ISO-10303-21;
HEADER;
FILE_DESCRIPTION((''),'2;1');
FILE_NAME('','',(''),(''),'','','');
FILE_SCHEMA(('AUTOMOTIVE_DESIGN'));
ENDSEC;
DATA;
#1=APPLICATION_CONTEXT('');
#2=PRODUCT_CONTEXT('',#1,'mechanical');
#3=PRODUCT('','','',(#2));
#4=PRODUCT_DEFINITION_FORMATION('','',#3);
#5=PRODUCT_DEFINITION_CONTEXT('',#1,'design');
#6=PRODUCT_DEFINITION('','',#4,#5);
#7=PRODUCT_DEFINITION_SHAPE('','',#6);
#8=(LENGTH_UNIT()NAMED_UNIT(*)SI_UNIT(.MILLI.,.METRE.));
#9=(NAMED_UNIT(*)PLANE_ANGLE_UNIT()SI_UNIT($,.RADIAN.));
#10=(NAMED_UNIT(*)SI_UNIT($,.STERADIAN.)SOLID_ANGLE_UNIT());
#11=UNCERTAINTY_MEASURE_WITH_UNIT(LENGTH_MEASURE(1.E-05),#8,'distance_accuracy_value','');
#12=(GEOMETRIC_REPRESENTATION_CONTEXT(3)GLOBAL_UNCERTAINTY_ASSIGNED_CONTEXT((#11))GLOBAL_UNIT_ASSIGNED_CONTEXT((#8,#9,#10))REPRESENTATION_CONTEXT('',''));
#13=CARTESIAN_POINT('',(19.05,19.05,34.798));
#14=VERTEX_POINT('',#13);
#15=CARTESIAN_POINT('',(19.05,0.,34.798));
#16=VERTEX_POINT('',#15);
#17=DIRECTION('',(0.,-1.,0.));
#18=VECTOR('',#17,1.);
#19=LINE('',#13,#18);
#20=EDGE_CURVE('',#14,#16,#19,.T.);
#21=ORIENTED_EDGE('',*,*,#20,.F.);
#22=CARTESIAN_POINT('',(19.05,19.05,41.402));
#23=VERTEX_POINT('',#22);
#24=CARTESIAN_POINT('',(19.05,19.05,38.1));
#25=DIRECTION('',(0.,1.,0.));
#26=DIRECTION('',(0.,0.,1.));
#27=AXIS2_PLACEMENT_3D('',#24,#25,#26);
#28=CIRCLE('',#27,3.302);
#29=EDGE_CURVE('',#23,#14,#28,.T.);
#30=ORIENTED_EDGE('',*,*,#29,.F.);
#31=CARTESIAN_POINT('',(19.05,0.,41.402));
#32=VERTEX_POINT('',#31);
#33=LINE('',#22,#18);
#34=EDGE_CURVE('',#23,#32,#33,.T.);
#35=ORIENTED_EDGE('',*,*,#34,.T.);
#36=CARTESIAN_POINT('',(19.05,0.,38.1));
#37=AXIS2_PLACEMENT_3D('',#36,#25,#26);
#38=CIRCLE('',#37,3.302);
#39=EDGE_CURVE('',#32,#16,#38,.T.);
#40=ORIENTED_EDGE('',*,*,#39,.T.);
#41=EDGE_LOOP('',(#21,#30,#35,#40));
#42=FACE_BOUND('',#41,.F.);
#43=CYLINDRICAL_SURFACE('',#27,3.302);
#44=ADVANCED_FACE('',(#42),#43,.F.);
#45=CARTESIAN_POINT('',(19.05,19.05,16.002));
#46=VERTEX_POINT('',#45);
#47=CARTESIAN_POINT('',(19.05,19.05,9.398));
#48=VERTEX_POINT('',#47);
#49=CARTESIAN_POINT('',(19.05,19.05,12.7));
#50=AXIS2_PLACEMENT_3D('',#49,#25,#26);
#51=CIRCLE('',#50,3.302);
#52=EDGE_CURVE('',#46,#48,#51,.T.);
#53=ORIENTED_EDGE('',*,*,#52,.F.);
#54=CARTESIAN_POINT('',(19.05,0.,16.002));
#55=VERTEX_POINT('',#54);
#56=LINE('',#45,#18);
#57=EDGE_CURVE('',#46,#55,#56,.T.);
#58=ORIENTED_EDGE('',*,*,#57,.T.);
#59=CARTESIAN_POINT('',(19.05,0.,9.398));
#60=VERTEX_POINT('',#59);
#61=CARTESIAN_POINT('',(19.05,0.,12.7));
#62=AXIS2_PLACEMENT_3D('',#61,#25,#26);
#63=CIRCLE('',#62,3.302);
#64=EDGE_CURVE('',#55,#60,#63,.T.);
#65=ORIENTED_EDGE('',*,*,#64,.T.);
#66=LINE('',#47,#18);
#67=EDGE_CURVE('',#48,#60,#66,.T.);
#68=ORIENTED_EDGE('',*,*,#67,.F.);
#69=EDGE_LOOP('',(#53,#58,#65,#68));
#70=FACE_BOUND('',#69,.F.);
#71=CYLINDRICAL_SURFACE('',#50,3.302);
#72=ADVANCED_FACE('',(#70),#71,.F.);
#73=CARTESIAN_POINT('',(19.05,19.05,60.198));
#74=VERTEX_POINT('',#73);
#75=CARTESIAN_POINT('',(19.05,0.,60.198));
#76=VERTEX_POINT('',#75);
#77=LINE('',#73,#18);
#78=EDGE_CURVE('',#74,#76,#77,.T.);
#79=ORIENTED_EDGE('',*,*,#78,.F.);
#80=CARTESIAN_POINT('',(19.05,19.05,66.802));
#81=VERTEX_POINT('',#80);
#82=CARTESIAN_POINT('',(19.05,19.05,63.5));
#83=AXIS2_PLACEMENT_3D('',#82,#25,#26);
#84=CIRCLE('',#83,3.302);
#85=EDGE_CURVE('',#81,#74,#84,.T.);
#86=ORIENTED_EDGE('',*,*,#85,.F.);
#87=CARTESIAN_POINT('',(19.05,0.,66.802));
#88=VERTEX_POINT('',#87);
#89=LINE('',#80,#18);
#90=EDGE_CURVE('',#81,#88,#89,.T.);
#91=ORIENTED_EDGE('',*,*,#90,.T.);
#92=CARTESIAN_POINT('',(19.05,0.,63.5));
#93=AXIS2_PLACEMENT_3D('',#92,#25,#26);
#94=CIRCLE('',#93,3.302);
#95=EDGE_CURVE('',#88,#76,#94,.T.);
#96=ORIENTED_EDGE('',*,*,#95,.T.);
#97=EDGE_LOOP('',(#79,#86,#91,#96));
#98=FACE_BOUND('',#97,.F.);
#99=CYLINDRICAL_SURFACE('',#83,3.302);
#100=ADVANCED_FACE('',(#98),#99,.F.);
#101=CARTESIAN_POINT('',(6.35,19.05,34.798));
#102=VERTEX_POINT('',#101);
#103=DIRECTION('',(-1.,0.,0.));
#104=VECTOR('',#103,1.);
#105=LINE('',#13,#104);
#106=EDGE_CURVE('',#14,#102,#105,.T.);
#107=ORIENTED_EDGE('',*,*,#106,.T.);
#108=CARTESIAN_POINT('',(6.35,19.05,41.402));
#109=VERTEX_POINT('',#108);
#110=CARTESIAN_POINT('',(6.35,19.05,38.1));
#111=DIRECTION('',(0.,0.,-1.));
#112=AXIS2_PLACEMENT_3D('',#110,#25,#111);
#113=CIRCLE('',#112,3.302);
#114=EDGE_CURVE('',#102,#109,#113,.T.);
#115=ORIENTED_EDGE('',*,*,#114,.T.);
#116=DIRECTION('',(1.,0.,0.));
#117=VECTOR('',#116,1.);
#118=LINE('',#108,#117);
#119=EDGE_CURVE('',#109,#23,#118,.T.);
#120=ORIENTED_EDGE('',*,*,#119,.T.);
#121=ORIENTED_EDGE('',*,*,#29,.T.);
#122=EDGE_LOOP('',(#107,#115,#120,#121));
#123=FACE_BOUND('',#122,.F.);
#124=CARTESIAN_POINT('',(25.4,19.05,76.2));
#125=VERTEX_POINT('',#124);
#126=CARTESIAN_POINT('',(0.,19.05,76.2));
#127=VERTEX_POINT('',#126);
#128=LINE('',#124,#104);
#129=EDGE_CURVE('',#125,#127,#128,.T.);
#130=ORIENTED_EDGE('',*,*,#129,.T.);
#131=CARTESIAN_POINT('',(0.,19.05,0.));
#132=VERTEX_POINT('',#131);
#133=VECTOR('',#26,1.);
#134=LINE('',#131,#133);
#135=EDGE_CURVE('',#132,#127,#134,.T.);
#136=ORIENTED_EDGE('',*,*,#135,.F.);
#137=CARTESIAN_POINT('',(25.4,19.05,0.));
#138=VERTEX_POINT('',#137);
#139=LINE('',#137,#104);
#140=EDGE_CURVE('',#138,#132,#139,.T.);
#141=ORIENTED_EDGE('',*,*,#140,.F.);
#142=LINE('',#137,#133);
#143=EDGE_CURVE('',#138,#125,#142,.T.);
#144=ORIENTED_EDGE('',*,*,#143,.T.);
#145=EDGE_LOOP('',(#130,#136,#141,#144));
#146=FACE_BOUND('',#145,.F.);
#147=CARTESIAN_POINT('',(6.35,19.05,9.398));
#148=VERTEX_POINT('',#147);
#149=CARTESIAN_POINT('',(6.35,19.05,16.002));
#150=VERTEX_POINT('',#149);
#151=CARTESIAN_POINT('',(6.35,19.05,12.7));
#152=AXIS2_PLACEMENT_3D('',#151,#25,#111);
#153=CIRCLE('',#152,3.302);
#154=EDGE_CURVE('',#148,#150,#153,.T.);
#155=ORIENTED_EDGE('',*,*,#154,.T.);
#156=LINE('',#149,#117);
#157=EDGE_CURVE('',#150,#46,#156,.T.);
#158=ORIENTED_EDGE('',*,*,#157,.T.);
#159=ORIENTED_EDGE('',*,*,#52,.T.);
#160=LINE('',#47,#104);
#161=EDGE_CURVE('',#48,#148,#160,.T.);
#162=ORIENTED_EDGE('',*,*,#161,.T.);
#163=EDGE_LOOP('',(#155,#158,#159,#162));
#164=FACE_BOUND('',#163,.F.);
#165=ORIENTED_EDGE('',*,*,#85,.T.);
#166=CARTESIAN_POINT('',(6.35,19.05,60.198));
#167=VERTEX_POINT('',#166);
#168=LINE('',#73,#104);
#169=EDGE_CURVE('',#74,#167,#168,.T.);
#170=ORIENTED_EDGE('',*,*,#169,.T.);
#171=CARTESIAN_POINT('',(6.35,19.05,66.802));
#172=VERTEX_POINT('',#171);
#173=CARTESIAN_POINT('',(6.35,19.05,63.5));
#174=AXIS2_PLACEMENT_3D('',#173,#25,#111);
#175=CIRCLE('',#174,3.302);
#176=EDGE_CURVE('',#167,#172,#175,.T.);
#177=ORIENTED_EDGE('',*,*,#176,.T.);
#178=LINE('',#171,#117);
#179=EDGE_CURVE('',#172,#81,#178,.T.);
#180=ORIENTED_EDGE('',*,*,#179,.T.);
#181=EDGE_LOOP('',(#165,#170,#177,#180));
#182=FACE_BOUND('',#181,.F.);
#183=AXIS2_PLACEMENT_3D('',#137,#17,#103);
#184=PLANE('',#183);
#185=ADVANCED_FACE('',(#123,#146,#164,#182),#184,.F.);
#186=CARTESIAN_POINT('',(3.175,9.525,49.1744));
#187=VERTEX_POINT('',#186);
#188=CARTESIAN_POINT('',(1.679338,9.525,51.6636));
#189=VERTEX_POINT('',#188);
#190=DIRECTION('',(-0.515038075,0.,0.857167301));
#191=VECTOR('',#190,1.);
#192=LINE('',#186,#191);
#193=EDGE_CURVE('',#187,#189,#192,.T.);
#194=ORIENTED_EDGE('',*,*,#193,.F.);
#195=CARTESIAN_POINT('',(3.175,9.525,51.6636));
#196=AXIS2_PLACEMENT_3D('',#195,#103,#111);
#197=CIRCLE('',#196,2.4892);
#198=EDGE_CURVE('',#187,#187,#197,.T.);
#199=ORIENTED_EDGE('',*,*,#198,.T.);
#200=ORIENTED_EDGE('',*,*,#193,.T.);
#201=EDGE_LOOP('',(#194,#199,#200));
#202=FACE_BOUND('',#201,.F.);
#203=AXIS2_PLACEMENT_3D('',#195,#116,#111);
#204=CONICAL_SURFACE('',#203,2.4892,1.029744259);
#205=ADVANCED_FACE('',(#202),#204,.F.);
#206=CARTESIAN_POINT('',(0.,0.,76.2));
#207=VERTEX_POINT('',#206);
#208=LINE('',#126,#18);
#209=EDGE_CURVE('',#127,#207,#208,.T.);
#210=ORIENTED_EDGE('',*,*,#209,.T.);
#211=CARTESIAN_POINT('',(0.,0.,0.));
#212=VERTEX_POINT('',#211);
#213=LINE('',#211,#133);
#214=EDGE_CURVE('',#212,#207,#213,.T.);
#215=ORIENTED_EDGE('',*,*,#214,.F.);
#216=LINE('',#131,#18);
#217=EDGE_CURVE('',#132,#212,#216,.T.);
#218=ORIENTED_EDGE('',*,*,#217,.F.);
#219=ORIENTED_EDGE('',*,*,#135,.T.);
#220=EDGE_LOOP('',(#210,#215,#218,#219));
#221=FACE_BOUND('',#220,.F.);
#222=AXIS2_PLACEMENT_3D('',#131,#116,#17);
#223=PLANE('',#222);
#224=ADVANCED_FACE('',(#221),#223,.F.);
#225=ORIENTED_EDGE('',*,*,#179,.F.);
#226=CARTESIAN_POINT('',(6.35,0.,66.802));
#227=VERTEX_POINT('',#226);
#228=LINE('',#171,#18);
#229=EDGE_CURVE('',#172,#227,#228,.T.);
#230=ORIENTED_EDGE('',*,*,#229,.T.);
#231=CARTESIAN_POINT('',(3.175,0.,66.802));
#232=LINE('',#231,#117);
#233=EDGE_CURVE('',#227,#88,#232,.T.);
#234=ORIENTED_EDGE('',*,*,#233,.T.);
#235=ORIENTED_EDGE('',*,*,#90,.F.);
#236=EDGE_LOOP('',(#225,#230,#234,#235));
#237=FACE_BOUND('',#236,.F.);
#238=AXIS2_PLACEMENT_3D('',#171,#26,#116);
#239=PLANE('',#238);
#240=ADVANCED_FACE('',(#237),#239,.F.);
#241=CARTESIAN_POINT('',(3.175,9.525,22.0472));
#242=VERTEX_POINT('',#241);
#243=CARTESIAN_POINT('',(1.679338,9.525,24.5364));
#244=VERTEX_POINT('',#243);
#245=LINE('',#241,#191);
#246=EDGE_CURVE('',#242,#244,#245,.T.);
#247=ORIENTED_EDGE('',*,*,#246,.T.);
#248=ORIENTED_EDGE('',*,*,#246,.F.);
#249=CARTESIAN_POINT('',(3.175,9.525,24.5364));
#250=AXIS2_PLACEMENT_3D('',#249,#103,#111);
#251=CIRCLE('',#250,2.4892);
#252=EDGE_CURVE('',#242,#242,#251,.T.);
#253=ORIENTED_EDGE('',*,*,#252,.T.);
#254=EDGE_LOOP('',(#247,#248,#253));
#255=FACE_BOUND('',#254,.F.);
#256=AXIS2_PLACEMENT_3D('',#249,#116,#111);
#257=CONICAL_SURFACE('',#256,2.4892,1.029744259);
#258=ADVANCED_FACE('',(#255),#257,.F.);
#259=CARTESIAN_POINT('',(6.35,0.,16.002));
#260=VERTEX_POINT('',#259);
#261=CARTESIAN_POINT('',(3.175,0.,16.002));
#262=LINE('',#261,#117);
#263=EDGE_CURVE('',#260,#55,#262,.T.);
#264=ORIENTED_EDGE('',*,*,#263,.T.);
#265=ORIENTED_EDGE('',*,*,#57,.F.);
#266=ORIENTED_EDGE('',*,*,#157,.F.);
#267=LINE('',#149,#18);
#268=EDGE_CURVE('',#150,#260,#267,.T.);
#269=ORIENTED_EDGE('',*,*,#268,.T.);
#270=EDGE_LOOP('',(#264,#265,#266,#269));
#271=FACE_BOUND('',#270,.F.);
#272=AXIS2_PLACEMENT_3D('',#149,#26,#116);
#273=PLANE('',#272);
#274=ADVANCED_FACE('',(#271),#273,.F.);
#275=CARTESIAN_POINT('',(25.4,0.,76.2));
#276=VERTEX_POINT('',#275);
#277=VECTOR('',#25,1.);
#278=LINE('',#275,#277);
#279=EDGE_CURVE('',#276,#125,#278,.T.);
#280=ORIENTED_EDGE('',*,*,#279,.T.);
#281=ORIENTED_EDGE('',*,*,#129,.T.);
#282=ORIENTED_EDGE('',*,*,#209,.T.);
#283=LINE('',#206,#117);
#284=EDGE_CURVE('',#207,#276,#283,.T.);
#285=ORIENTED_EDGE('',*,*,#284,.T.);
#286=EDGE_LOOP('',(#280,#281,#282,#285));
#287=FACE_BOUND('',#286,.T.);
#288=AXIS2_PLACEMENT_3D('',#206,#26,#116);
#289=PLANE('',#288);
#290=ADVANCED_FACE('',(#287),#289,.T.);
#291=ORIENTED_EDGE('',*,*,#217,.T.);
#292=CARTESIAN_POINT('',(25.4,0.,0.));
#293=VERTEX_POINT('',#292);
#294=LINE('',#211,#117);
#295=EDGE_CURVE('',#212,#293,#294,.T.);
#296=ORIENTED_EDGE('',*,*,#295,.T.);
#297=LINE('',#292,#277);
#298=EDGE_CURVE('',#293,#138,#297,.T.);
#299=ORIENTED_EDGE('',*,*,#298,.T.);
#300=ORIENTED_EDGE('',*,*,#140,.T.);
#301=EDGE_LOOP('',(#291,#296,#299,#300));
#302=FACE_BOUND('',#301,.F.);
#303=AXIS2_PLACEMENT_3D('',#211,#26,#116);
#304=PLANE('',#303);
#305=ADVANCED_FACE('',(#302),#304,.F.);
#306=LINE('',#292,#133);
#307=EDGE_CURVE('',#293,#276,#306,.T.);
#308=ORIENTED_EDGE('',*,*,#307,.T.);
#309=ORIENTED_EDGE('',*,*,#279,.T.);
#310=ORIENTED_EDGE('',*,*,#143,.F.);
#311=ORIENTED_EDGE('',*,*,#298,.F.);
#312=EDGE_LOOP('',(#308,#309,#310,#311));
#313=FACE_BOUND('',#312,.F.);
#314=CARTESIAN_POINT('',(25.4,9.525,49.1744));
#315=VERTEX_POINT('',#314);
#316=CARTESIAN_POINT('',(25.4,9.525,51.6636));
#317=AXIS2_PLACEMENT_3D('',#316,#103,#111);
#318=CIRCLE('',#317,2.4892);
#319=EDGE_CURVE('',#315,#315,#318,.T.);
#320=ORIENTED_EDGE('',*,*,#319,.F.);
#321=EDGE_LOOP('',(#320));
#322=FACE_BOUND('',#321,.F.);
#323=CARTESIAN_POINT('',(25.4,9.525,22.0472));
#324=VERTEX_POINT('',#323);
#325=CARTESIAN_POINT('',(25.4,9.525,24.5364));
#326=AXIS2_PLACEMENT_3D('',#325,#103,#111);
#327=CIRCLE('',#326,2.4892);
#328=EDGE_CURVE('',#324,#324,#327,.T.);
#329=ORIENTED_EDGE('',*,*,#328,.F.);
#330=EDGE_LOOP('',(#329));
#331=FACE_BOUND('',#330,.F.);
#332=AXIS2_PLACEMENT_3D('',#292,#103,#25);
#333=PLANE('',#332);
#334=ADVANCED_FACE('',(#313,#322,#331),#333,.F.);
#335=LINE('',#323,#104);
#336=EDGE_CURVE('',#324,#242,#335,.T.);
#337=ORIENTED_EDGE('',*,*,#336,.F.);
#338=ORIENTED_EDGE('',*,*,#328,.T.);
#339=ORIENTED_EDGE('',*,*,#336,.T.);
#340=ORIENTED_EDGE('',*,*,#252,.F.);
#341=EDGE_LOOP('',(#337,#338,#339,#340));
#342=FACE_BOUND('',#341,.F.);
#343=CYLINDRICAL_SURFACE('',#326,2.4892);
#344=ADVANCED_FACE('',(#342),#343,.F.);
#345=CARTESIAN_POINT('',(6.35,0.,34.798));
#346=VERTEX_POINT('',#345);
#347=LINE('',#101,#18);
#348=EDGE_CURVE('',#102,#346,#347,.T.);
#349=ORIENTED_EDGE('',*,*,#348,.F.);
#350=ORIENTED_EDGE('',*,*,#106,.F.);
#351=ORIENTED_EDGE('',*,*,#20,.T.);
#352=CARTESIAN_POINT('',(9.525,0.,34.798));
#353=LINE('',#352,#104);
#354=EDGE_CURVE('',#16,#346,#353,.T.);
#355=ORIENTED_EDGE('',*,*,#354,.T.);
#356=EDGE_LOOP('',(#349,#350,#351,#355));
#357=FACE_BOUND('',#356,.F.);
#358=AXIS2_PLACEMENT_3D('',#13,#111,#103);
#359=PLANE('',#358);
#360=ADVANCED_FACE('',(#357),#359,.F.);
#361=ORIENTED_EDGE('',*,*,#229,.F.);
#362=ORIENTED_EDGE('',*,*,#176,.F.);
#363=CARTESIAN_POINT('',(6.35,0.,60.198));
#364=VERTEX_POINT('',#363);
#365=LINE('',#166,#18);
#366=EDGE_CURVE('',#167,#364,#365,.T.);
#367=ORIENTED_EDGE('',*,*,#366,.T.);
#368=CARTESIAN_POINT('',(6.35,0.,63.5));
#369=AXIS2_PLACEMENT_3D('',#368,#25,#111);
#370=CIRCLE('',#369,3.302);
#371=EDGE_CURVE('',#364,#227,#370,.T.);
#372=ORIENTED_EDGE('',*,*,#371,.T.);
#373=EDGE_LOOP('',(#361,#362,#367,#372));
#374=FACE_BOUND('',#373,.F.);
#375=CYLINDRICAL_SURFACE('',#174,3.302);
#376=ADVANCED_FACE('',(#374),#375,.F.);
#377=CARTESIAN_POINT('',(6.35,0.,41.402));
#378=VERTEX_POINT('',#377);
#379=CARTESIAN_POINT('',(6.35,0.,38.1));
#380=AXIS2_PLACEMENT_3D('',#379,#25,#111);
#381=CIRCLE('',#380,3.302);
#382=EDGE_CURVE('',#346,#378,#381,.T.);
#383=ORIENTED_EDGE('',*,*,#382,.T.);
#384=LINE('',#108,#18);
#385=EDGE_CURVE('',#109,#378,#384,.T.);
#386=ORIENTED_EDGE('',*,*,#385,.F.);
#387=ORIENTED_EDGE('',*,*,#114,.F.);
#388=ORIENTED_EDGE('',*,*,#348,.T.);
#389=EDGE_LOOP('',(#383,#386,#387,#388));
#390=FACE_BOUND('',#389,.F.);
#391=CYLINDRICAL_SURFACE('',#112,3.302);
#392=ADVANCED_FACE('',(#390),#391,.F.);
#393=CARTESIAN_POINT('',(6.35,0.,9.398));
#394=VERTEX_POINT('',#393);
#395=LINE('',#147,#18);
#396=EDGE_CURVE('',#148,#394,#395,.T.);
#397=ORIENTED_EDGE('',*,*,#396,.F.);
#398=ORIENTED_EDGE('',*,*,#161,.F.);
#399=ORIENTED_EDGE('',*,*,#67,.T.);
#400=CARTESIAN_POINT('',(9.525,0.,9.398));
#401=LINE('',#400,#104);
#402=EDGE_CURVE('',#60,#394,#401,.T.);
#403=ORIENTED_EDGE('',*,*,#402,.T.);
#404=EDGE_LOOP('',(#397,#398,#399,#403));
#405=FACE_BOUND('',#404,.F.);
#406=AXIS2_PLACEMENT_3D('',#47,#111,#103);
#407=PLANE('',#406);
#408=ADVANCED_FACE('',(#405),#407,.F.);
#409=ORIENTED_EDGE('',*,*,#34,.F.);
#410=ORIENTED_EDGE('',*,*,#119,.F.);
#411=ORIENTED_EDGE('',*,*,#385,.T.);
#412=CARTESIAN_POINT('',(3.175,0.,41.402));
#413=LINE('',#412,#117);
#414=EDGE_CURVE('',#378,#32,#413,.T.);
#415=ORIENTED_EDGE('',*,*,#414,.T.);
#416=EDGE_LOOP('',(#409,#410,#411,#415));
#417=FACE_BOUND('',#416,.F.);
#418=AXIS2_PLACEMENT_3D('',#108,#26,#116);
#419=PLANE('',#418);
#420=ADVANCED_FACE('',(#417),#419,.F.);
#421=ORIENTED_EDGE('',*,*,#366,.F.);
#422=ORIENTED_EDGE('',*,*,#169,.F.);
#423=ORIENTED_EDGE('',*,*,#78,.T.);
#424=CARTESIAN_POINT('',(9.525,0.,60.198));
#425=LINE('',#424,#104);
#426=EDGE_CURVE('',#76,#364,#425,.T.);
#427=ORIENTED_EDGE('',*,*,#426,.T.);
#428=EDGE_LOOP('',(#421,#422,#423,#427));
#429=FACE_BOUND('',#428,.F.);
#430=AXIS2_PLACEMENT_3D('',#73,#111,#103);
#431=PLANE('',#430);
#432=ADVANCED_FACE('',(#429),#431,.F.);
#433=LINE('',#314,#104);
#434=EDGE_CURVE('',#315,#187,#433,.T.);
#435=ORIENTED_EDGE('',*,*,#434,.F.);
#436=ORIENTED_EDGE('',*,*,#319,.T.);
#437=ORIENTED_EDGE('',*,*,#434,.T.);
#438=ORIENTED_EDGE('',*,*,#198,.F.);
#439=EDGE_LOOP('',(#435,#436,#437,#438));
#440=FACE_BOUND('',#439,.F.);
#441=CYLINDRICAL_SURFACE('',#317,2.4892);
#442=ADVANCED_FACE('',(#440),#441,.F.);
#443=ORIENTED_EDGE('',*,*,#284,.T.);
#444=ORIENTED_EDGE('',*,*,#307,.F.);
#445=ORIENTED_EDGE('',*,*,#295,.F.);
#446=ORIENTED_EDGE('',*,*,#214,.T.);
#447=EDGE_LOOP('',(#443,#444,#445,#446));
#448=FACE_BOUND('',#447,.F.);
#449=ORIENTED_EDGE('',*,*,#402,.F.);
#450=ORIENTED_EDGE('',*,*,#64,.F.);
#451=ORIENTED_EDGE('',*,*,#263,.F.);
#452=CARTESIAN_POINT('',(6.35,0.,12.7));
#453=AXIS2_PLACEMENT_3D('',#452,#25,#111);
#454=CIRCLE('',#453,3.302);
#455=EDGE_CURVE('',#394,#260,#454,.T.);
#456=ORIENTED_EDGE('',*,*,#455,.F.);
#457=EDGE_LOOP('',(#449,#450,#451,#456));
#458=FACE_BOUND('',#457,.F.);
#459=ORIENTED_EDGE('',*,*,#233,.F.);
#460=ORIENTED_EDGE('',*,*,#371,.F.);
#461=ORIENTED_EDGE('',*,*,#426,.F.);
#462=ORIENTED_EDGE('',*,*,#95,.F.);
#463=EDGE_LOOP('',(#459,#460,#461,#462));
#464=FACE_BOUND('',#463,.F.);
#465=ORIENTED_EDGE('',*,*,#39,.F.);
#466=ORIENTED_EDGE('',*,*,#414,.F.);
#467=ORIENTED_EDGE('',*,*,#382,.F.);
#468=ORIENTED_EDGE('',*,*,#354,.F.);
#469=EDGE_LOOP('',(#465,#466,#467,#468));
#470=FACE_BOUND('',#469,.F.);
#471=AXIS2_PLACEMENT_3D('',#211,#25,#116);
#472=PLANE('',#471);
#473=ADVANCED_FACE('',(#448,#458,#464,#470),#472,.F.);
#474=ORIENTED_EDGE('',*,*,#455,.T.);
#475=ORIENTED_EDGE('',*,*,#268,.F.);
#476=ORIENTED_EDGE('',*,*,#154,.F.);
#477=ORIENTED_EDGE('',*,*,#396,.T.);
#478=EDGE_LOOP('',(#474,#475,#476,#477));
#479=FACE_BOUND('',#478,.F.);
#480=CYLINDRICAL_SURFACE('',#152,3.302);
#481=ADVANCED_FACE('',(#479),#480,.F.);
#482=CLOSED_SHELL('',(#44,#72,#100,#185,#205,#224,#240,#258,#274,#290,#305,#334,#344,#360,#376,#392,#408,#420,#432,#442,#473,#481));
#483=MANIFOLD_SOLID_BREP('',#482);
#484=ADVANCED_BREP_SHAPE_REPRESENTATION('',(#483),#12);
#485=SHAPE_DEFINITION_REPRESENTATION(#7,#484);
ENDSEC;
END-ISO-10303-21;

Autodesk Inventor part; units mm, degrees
ref_plane "YZ Plane" through (0, 0, 0) normal (1, 0, 0) x (0, 1, 0)
ref_plane "XZ Plane" through (0, 0, 0) normal (0, 1, 0) x (-1, 0, 0)
ref_plane "XY Plane" through (0, 0, 0) normal (0, 0, 1) x (1, 0, 0)
sketch "Sketch1" plane through (0, 0, 0) normal (0, 0, 1) x (1, 0, 0)
  line L0 (0, 0) -> (25.4, 0)
  line L1 (25.4, 0) -> (25.4, 19.05)
  line L2 (25.4, 19.05) -> (0, 19.05)
  line L3 (0, 19.05) -> (0, 0)
  dimension "d0" = 25.4
  dimension "d1" = 19.05
extrude "Extrusion1" add sketch "Sketch1" along normal blind 76.2
sketch "Sketch2" plane through (25.4, 0, 0) normal (1, 0, 0) x (0, 0, -1)
  line L0 (0, 0) -> (0, 19.05) projected
  line L1 (0, 19.05) -> (-76.2, 19.05) projected
  point P0 (-51.6636, 9.525)
  point P1 (-24.5364, 9.525)
  dimension "d4" = 27.1272
  dimension "d6" = 9.525
  dimension "d7" = 9.525
  dimension "d29" = 24.5364
hole "Hole1" at (25.4, 9.525, 51.6636) at (25.4, 9.525, 24.5364) direction (-1, 0, 0) diameter 4.9784 depth 22.225 tip angle 118 thread size "1/4-20 UNC" class "2B" standard "ANSI Unified Screw Threads"
sketch "Sketch3" plane through (0, 19.05, 0) normal (0, 1, 0) x (1, 0, 0)
  line L0 (6.35, -12.7) -> (19.05, -12.7) construction
  line L1 (6.35, -16.002) -> (19.05, -16.002)
  line L2 (19.05, -9.398) -> (6.35, -9.398)
  arc A0 (6.35, -9.398) -> (6.35, -16.002) centre (6.35, -12.7) ccw
  arc A1 (19.05, -16.002) -> (19.05, -9.398) centre (19.05, -12.7) ccw
  line L3 (6.35, -63.5) -> (19.05, -63.5) construction
  line L4 (6.35, -66.802) -> (19.05, -66.802)
  line L5 (19.05, -60.198) -> (6.35, -60.198)
  arc A2 (6.35, -60.198) -> (6.35, -66.802) centre (6.35, -63.5) ccw
  arc A3 (19.05, -66.802) -> (19.05, -60.198) centre (19.05, -63.5) ccw
  line L6 (6.35, -38.1) -> (19.05, -38.1) construction
  line L7 (6.35, -41.402) -> (19.05, -41.402)
  line L8 (19.05, -34.798) -> (6.35, -34.798)
  arc A4 (6.35, -34.798) -> (6.35, -41.402) centre (6.35, -38.1) ccw
  arc A5 (19.05, -41.402) -> (19.05, -34.798) centre (19.05, -38.1) ccw
  line L9 (25.4, 0) -> (25.4, -76.2) projected
  line L10 (25.4, -76.2) -> (0, -76.2) projected
  point P0 (12.7, -12.7)
  point P1 (12.7, -63.5)
  point P2 (12.7, -38.1)
  dimension "d15" = 3.302
  dimension "d16" = 3.302
  dimension "d17" = 3.302
  dimension "d18" = 12.7
  dimension "d19" = 12.7
  dimension "d20" = 12.7
  dimension "d21" = 25.4
  dimension "d22" = 25.4
  dimension "d23" = 6.35
  dimension "d24" = 6.35
  dimension "d25" = 6.35
  dimension "d26" = 12.7
extrude "Extrusion2" cut sketch "Sketch3" against normal blind 101.6
properties part number "Motor Base" material "Aluminum 6061"
